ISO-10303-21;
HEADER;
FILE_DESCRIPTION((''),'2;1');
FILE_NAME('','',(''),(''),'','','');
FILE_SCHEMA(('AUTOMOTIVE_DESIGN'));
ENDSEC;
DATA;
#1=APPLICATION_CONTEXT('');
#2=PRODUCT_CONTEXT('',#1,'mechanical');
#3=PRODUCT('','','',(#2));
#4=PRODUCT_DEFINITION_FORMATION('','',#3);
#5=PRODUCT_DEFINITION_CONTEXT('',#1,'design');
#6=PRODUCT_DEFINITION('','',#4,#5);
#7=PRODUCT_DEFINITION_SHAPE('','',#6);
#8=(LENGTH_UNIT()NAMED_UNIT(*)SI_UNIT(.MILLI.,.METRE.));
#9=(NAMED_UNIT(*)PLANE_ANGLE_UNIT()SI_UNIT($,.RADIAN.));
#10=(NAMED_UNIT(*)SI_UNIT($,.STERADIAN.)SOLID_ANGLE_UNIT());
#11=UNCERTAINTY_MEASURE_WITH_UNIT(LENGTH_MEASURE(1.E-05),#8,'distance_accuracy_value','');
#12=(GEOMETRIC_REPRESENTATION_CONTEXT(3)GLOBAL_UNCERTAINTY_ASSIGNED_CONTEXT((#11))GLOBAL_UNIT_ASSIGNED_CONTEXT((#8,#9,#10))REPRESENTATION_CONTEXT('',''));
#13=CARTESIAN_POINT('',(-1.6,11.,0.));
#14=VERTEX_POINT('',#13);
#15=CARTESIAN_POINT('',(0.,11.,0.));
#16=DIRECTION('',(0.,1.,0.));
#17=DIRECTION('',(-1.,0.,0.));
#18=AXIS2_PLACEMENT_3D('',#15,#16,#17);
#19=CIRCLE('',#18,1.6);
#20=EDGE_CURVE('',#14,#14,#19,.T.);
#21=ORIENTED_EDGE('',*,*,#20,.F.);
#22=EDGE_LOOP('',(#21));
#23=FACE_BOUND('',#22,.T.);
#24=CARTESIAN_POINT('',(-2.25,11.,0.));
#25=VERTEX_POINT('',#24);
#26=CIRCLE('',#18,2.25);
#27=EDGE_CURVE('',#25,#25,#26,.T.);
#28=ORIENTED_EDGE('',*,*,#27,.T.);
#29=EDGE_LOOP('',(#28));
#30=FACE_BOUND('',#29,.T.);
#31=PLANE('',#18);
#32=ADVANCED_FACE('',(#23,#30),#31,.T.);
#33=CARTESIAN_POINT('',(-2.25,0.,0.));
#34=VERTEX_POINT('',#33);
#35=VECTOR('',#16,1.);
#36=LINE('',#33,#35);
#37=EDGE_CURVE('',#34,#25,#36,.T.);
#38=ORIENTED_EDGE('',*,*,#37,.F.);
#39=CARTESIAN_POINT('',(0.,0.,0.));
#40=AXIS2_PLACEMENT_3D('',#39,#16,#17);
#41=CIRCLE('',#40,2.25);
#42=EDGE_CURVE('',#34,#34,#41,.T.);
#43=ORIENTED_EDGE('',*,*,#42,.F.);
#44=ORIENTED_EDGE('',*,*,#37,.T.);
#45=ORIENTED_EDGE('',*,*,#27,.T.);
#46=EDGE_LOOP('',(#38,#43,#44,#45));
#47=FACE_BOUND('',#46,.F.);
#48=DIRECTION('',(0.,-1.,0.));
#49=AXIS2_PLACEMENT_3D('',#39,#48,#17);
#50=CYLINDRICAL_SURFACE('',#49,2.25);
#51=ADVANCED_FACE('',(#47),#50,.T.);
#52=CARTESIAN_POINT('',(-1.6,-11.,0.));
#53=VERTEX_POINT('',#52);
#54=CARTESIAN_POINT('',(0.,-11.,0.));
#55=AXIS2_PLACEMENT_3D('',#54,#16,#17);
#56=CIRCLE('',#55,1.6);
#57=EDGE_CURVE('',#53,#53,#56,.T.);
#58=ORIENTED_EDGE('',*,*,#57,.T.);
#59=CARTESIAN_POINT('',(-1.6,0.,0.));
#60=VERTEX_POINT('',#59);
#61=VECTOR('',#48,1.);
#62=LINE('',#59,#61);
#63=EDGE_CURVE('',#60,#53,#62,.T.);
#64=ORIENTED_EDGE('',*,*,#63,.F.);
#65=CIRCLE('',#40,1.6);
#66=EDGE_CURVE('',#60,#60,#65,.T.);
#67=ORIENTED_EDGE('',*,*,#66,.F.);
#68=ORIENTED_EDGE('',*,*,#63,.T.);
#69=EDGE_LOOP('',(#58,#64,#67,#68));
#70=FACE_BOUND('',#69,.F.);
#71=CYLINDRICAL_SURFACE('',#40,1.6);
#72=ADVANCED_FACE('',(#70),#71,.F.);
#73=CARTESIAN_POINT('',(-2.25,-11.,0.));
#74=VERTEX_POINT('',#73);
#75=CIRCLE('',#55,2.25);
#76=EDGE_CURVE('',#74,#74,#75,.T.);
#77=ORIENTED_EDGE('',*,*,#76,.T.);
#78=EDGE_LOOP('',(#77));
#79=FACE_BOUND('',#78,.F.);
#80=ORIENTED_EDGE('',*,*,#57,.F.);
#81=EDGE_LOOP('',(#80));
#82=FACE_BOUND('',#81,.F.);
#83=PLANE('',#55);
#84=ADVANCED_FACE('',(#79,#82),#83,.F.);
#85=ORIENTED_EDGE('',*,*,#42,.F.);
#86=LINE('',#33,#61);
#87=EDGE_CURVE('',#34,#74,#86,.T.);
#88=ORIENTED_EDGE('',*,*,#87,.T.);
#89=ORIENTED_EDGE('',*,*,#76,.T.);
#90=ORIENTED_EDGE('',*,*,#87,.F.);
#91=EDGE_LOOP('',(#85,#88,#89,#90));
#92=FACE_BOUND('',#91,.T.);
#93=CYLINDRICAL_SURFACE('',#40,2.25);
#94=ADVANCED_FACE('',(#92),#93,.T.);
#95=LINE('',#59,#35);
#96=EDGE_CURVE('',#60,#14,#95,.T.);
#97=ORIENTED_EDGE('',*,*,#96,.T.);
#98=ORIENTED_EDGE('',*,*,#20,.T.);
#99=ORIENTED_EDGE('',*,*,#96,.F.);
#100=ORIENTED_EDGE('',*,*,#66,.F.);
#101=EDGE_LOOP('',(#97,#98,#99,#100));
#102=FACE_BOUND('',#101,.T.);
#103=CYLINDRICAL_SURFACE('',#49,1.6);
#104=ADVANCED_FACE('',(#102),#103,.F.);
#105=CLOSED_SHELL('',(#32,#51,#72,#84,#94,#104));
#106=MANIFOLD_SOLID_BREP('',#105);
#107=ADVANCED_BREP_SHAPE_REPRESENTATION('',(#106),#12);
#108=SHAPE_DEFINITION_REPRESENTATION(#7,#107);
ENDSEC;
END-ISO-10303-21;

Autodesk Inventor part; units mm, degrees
ref_plane "YZ Plane" through (0, 0, 0) normal (1, 0, 0) x (0, 1, 0)
ref_plane "XZ Plane" through (0, 0, 0) normal (0, 1, 0) x (-1, 0, 0)
ref_plane "XY Plane" through (0, 0, 0) normal (0, 0, 1) x (1, 0, 0)
sketch "Sketch1" plane through (0, 0, 0) normal (0, 1, 0) x (-1, 0, 0)
  circle A0 centre (0, 0) radius 2.25
  circle A1 centre (0, 0) radius 1.6
  dimension "d0" = 4.5
  dimension "d1" = 3.2
extrude "Extrusion1" add sketch "Sketch1" along normal mid plane 22
properties part number "RPS Long Spacer" material "Nylon 6/6"
